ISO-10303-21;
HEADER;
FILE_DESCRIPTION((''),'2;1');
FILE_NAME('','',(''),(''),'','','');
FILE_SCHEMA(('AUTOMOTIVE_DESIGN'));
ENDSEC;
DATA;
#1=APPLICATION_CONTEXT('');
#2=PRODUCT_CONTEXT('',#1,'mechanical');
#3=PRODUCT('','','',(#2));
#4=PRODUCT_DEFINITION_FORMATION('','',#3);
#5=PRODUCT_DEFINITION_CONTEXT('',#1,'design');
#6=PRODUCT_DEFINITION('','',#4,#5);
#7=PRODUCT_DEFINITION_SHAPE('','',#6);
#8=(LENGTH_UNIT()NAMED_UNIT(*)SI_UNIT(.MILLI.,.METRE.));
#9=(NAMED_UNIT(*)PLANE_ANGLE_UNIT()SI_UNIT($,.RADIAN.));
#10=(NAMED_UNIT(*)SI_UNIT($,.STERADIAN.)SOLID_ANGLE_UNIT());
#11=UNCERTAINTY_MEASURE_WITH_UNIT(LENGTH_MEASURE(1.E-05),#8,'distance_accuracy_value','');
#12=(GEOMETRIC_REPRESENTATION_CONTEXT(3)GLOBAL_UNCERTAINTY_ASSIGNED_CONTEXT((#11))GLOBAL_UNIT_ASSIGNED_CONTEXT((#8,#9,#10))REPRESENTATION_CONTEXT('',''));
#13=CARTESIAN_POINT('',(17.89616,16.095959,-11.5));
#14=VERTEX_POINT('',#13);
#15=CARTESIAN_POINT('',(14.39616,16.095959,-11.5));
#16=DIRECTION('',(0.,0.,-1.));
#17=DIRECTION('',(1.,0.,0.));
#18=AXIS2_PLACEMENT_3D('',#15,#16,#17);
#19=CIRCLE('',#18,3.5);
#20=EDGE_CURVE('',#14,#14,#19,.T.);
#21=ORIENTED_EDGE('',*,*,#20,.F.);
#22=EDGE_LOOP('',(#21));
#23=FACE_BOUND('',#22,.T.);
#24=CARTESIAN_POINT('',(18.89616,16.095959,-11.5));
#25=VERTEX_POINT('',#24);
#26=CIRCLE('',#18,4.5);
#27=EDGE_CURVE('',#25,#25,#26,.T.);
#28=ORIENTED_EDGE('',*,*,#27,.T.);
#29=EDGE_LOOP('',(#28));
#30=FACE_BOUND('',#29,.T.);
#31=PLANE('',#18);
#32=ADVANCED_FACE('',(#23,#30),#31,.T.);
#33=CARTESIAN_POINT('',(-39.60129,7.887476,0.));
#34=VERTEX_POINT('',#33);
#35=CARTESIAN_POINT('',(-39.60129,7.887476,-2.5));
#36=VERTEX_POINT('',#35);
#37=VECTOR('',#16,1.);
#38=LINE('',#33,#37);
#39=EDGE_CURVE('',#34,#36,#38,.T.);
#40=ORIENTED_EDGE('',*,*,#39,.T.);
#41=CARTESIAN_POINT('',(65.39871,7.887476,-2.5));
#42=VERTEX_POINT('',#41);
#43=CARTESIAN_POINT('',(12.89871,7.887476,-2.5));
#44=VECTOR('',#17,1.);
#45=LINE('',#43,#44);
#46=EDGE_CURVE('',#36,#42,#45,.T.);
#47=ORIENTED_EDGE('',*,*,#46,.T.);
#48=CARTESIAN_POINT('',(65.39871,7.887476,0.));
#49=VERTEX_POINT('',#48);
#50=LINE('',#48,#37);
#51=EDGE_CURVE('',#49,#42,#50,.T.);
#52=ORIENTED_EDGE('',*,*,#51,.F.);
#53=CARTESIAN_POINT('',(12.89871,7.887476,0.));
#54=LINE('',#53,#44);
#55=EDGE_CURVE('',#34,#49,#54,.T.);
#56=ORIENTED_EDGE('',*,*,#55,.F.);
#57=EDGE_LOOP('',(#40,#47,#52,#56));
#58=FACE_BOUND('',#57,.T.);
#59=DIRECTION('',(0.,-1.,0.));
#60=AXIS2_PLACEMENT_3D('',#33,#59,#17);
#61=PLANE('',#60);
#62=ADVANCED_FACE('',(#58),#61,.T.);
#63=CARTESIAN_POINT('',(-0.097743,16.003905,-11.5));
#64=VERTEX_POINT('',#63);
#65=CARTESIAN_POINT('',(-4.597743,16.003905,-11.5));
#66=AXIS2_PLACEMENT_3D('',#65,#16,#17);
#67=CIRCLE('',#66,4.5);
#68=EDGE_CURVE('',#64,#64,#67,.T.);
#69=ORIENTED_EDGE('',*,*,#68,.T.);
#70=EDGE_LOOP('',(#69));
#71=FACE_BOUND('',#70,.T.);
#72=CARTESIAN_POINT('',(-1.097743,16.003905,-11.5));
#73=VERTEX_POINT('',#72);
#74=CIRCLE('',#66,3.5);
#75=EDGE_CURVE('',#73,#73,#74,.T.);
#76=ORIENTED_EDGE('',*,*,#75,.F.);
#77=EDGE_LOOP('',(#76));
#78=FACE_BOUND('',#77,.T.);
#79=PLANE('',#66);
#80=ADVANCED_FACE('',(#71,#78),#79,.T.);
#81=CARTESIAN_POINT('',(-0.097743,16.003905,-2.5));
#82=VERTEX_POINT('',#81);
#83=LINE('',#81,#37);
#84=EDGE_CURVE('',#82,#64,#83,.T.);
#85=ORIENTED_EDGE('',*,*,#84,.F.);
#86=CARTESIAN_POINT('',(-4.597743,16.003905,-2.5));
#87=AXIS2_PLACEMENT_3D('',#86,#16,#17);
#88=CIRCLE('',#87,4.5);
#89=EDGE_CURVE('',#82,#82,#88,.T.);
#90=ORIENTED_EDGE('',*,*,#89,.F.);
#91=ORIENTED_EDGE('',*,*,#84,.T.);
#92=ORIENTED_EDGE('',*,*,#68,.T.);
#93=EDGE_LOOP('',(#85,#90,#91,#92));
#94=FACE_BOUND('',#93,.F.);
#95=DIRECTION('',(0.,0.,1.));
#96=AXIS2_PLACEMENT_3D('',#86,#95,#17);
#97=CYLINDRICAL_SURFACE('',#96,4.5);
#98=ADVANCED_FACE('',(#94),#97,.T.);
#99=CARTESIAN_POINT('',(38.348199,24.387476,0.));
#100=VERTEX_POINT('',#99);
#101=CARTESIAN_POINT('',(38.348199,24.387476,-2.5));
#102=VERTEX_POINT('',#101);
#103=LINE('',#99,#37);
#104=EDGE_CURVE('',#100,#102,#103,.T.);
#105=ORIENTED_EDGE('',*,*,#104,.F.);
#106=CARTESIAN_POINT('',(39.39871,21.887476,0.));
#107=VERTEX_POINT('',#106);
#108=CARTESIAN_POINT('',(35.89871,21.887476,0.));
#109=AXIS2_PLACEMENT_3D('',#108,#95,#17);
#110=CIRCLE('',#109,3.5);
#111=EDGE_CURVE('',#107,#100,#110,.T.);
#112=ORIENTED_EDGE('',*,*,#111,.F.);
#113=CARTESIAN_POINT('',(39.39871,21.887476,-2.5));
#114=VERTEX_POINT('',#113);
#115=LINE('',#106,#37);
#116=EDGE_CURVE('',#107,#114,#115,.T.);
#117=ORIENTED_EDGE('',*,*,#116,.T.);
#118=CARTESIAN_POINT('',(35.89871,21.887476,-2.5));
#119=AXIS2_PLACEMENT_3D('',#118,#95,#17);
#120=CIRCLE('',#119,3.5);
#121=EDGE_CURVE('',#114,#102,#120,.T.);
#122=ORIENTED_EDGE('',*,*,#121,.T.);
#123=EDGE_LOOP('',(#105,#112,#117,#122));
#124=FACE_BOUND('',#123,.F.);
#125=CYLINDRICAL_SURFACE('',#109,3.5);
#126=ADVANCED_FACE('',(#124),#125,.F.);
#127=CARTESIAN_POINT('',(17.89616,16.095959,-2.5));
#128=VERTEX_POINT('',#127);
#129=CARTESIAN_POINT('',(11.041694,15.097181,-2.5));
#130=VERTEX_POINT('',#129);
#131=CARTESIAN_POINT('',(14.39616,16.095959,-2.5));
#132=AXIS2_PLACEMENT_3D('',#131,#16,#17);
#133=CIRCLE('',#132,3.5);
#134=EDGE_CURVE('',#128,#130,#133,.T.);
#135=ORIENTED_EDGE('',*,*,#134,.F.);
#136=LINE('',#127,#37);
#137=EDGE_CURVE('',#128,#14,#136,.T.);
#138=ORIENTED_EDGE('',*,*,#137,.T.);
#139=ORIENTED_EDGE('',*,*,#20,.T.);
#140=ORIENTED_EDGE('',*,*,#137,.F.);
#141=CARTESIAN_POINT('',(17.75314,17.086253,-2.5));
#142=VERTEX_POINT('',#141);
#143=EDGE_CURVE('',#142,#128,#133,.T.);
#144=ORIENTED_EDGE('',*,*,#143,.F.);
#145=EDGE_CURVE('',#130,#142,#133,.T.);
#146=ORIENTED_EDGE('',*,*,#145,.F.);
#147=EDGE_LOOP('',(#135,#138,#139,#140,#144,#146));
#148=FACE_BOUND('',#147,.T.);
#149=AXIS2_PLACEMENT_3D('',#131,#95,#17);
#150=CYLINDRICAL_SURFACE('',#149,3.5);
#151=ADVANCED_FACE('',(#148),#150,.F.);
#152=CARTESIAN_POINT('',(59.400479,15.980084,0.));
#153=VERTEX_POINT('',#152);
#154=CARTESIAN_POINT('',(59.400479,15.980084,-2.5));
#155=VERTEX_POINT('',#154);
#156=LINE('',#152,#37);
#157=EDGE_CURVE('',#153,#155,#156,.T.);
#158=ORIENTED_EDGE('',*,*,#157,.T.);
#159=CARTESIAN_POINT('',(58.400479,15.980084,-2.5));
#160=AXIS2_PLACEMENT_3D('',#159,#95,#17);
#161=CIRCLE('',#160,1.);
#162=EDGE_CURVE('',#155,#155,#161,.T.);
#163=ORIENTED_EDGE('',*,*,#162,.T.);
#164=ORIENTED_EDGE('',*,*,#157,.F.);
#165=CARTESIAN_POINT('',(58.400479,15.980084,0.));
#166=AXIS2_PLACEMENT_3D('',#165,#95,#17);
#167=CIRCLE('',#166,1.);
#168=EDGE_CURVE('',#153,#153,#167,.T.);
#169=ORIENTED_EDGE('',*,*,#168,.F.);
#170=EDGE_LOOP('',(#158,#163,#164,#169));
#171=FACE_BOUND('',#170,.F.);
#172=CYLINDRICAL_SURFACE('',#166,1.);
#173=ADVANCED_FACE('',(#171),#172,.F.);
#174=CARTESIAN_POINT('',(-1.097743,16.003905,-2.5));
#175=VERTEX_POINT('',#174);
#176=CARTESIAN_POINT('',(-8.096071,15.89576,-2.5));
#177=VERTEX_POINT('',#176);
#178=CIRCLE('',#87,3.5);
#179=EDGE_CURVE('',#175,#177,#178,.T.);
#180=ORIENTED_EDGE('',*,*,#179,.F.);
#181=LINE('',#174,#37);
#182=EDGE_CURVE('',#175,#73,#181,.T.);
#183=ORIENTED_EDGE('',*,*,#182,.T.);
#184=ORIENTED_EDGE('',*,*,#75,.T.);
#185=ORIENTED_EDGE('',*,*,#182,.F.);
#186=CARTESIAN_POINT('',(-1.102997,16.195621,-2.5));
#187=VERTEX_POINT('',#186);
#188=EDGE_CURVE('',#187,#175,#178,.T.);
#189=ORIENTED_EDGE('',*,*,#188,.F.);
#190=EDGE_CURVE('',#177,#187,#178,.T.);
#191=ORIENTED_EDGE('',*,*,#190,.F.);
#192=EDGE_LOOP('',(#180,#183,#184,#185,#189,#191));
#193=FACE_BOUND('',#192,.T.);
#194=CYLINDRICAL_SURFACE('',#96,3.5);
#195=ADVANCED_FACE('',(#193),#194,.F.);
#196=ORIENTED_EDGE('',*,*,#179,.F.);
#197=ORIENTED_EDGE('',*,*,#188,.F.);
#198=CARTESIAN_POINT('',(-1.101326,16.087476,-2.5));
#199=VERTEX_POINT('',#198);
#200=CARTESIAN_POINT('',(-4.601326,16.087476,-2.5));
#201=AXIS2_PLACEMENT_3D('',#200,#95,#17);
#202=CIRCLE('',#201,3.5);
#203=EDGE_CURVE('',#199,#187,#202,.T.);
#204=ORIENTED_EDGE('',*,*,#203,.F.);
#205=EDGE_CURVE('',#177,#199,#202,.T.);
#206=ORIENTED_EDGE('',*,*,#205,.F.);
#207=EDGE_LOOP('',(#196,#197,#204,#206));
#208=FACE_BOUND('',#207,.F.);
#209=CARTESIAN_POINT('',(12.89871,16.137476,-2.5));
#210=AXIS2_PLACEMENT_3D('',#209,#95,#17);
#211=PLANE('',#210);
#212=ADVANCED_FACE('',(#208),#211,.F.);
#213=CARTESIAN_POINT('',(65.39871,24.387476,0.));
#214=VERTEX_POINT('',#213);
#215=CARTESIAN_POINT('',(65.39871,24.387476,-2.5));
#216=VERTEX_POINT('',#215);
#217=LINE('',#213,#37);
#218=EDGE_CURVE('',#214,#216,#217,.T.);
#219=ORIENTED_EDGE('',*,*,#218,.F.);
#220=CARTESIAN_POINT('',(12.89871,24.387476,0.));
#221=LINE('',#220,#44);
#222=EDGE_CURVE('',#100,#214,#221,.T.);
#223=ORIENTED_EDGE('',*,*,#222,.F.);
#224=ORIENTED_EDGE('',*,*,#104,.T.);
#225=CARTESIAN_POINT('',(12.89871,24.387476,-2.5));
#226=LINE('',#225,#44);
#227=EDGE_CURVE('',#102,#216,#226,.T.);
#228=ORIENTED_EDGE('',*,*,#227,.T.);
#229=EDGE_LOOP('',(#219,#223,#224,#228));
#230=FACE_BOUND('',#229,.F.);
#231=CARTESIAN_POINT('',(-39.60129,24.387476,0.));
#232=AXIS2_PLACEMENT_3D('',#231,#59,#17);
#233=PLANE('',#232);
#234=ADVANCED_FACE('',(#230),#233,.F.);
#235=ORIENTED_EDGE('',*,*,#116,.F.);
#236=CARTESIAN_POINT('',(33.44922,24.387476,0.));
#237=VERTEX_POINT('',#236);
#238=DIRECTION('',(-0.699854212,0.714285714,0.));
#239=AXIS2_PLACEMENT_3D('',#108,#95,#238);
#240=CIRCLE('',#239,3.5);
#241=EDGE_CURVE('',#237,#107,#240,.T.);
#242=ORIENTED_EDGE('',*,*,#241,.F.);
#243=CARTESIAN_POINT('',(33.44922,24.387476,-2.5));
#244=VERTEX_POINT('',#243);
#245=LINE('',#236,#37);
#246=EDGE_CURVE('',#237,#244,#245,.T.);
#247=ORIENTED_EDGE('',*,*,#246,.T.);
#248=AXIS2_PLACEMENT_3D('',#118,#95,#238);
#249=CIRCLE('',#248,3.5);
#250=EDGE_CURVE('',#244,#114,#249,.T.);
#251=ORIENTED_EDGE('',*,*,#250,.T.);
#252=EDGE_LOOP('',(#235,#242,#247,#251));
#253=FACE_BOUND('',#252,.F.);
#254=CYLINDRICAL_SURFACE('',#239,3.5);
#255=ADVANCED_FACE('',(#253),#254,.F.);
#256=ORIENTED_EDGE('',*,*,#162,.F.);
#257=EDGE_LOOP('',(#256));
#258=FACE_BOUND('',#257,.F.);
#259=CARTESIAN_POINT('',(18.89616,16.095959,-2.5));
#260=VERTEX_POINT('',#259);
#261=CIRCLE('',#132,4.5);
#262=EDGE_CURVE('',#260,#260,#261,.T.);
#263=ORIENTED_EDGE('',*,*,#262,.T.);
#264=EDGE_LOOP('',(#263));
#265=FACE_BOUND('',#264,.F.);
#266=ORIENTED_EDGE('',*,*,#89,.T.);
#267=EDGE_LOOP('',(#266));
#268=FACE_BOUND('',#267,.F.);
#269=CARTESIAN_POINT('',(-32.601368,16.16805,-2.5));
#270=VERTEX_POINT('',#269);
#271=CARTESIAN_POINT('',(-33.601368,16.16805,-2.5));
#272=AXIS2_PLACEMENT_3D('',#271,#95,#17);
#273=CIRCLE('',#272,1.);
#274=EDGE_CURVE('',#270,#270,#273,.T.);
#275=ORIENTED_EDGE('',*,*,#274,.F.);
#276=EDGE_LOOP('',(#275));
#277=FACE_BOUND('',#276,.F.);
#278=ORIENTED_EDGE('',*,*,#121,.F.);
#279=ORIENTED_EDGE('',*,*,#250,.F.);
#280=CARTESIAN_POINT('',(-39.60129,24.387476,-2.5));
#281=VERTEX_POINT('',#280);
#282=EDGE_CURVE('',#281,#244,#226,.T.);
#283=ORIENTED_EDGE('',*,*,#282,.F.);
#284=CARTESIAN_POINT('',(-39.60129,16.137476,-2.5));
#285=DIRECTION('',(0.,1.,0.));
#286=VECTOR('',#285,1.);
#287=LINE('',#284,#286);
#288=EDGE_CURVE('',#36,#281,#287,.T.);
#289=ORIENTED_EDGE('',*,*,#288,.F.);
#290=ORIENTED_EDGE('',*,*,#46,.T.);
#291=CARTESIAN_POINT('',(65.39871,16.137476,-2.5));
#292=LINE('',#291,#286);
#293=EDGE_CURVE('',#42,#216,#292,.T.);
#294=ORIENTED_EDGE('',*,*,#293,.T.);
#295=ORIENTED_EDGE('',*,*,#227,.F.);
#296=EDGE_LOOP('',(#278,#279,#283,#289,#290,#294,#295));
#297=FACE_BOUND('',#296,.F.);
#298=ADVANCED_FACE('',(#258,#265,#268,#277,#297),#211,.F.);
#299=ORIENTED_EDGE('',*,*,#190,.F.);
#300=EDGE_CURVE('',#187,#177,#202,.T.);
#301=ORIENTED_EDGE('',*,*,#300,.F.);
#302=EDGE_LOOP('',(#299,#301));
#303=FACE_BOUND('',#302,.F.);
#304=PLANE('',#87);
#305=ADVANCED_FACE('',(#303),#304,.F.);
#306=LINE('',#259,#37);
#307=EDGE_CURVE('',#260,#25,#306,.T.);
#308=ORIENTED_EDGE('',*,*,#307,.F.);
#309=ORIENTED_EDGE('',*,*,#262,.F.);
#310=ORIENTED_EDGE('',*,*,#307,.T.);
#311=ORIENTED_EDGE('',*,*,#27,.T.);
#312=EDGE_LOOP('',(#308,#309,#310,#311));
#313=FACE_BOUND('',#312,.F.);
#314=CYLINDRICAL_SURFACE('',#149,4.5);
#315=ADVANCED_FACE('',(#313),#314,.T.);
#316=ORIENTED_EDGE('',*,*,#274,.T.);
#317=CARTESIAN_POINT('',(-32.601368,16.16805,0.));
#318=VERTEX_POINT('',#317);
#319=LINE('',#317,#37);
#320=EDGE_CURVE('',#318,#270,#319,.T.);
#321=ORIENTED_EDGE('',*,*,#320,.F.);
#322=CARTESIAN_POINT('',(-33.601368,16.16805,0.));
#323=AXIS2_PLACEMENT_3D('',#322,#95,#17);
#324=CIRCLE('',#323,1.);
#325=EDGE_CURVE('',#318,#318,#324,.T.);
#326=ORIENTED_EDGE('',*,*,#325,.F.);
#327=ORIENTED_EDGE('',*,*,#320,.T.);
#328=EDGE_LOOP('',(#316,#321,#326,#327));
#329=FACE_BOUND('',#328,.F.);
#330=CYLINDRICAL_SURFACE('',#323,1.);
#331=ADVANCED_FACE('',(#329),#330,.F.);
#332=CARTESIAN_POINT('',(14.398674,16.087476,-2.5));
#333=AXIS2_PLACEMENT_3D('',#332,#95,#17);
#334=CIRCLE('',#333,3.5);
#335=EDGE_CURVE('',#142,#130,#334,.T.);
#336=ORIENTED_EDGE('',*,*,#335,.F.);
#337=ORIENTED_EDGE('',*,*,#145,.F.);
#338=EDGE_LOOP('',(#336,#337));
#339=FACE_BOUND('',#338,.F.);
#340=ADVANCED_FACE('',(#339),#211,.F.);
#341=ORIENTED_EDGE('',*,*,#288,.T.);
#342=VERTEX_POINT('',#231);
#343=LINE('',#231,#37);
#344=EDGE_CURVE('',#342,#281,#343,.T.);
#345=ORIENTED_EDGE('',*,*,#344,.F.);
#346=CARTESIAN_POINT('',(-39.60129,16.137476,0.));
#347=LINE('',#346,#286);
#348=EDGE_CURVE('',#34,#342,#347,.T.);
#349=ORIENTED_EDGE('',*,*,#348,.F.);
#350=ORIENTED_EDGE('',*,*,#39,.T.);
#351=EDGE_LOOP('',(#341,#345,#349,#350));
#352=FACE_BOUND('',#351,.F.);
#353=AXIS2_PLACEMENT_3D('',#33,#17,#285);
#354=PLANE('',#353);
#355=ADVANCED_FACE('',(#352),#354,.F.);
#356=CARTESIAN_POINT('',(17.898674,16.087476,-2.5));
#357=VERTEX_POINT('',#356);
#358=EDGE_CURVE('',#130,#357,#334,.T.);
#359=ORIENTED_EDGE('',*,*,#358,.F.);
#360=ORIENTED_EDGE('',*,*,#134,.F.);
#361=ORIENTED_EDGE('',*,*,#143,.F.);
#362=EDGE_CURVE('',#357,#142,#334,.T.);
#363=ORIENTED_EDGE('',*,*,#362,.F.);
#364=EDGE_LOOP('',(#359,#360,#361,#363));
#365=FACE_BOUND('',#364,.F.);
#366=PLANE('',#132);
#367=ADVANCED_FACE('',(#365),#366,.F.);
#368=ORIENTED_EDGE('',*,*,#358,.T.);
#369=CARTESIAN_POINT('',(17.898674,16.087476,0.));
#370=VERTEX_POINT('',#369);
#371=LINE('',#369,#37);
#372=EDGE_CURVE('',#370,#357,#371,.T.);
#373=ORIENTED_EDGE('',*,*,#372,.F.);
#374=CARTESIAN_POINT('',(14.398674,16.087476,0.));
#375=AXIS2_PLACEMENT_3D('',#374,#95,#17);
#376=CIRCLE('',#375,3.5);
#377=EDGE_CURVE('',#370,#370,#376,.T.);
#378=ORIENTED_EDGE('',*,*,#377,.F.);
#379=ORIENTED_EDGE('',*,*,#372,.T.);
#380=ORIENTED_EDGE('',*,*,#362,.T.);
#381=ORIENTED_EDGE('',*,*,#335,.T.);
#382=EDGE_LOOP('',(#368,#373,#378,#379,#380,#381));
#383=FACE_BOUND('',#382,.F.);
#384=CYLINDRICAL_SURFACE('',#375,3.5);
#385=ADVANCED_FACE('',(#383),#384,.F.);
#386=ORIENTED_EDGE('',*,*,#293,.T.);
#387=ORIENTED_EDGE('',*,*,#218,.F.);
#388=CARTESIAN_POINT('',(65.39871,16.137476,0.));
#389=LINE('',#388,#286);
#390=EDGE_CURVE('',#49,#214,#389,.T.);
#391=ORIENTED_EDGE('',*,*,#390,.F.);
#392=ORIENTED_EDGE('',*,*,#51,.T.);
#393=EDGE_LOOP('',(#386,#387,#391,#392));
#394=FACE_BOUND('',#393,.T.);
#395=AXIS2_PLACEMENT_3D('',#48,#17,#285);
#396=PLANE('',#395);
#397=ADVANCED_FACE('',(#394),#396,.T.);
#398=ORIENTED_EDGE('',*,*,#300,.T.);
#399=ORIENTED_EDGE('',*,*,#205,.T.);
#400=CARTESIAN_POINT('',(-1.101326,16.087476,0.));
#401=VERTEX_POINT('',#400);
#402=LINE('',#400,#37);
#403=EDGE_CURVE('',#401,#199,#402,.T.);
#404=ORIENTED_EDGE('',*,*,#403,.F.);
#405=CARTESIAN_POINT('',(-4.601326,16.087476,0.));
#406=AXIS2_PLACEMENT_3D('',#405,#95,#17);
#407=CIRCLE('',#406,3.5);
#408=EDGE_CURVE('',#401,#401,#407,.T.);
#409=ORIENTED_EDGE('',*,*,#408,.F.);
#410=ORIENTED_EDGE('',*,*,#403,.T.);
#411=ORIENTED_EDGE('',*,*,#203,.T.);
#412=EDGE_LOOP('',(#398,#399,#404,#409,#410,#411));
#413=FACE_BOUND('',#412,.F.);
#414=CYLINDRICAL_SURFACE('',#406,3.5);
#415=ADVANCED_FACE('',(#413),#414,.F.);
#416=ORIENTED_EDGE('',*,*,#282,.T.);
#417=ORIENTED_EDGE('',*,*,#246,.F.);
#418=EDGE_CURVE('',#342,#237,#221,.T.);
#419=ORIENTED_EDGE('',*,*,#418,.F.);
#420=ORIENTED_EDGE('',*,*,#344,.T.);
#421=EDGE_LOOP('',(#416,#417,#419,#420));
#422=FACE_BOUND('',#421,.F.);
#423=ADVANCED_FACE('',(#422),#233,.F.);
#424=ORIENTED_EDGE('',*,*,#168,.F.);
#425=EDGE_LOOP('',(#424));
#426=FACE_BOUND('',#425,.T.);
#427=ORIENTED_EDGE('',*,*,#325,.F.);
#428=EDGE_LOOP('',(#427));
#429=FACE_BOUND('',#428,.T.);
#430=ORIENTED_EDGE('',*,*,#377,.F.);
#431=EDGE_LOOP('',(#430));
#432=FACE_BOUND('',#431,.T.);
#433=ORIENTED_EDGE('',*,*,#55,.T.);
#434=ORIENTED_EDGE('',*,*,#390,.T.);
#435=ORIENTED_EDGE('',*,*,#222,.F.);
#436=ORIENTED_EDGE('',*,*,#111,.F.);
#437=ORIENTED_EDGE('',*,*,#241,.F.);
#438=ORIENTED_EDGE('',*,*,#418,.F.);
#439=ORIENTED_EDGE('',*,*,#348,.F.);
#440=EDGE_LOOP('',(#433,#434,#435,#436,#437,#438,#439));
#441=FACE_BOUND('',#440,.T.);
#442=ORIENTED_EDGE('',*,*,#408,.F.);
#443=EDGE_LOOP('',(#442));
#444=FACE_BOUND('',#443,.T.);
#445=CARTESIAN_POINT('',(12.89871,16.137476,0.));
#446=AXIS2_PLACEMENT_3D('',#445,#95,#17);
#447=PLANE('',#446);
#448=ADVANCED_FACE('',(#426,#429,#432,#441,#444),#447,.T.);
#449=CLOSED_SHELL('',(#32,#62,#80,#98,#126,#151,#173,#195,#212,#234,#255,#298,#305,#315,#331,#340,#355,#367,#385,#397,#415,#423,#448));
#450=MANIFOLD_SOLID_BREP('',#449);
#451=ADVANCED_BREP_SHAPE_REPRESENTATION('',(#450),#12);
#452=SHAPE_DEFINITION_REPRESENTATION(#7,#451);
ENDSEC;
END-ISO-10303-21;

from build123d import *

# Parameters (mm, degrees)
F0_W       = 105
F0_H       = 16.5
F1_DEPTH   = 2.5
F2_R       = 3.5
F2_R_2     = 1
F1_FACE1_W = 105
F1_FACE1_H = 16.5
F3_DEPTH   = 2.5
F5_R       = 4.5
F5_R_2     = 3.5
F6_DEPTH   = 9
F7_DEPTH   = 9


with BuildPart() as f1:
    # F0 (on Top) → F1 (new body)
    with BuildSketch(Plane.XY):
        with Locations((12.898709625, 16.1374760096)):
            Rectangle(F0_W, F0_H)
    extrude(amount=-F1_DEPTH)

    # F2 (on face) + F1_face1 (on face) → F3 (cut)
    with BuildSketch(Plane.XY):
        with BuildLine():
            ThreePointArc((33.4492198822, 24.3874760096), (34.5428361242, 18.6607738154), (39.398709625, 21.8874760096))
            ThreePointArc((39.398709625, 21.8874760096), (39.1254118192, 23.2433495104), (38.3481993678, 24.3874760096))
            Line((38.3481993678, 24.3874760096), (33.4492198822, 24.3874760096))
        make_face()
        with Locations((-4.6013260893, 16.0874760096)):
            Circle(F2_R)
        with Locations((14.3986739107, 16.0874760096)):
            Circle(F2_R)
        with Locations((-33.6013682725, 16.1680499117)):
            Circle(F2_R_2)
        with Locations((58.4004792942, 15.9800840236)):
            Circle(F2_R_2)
    with BuildSketch(Plane(origin=(12.898709625, 16.1374760096, -2.5), x_dir=(1, 0, 0), z_dir=(0, 0, -1))):
        Rectangle(F1_FACE1_W, F1_FACE1_H)
    extrude(amount=-F3_DEPTH, dir=(0, 0, 1), mode=Mode.SUBTRACT)

    # F5 (on face) → F6 (join)
    with BuildSketch(Plane(origin=(0, 0, -2.5), x_dir=(1, 0, 0), z_dir=(0, 0, -1))):
        with Locations((-4.5977425762, -16.0039048642)):
            Circle(F5_R)
        with Locations((-4.5977425762, -16.0039048642)):
            Circle(F5_R_2, mode=Mode.SUBTRACT)
        with Locations((14.3961599097, -16.0959586501)):
            Circle(F5_R)
        with Locations((14.3961599097, -16.0959586501)):
            Circle(F5_R_2, mode=Mode.SUBTRACT)
    extrude(amount=F6_DEPTH)

    # F5 (on face) → F7 (join)
    with BuildSketch(Plane(origin=(0, 0, -2.5), x_dir=(1, 0, 0), z_dir=(0, 0, -1))):
        with Locations((-4.5977425762, -16.0039048642)):
            Circle(F5_R)
        with Locations((-4.5977425762, -16.0039048642)):
            Circle(F5_R_2, mode=Mode.SUBTRACT)
        with Locations((14.3961599097, -16.0959586501)):
            Circle(F5_R)
        with Locations((14.3961599097, -16.0959586501)):
            Circle(F5_R_2, mode=Mode.SUBTRACT)
    extrude(amount=F7_DEPTH)


solid = f1.part
